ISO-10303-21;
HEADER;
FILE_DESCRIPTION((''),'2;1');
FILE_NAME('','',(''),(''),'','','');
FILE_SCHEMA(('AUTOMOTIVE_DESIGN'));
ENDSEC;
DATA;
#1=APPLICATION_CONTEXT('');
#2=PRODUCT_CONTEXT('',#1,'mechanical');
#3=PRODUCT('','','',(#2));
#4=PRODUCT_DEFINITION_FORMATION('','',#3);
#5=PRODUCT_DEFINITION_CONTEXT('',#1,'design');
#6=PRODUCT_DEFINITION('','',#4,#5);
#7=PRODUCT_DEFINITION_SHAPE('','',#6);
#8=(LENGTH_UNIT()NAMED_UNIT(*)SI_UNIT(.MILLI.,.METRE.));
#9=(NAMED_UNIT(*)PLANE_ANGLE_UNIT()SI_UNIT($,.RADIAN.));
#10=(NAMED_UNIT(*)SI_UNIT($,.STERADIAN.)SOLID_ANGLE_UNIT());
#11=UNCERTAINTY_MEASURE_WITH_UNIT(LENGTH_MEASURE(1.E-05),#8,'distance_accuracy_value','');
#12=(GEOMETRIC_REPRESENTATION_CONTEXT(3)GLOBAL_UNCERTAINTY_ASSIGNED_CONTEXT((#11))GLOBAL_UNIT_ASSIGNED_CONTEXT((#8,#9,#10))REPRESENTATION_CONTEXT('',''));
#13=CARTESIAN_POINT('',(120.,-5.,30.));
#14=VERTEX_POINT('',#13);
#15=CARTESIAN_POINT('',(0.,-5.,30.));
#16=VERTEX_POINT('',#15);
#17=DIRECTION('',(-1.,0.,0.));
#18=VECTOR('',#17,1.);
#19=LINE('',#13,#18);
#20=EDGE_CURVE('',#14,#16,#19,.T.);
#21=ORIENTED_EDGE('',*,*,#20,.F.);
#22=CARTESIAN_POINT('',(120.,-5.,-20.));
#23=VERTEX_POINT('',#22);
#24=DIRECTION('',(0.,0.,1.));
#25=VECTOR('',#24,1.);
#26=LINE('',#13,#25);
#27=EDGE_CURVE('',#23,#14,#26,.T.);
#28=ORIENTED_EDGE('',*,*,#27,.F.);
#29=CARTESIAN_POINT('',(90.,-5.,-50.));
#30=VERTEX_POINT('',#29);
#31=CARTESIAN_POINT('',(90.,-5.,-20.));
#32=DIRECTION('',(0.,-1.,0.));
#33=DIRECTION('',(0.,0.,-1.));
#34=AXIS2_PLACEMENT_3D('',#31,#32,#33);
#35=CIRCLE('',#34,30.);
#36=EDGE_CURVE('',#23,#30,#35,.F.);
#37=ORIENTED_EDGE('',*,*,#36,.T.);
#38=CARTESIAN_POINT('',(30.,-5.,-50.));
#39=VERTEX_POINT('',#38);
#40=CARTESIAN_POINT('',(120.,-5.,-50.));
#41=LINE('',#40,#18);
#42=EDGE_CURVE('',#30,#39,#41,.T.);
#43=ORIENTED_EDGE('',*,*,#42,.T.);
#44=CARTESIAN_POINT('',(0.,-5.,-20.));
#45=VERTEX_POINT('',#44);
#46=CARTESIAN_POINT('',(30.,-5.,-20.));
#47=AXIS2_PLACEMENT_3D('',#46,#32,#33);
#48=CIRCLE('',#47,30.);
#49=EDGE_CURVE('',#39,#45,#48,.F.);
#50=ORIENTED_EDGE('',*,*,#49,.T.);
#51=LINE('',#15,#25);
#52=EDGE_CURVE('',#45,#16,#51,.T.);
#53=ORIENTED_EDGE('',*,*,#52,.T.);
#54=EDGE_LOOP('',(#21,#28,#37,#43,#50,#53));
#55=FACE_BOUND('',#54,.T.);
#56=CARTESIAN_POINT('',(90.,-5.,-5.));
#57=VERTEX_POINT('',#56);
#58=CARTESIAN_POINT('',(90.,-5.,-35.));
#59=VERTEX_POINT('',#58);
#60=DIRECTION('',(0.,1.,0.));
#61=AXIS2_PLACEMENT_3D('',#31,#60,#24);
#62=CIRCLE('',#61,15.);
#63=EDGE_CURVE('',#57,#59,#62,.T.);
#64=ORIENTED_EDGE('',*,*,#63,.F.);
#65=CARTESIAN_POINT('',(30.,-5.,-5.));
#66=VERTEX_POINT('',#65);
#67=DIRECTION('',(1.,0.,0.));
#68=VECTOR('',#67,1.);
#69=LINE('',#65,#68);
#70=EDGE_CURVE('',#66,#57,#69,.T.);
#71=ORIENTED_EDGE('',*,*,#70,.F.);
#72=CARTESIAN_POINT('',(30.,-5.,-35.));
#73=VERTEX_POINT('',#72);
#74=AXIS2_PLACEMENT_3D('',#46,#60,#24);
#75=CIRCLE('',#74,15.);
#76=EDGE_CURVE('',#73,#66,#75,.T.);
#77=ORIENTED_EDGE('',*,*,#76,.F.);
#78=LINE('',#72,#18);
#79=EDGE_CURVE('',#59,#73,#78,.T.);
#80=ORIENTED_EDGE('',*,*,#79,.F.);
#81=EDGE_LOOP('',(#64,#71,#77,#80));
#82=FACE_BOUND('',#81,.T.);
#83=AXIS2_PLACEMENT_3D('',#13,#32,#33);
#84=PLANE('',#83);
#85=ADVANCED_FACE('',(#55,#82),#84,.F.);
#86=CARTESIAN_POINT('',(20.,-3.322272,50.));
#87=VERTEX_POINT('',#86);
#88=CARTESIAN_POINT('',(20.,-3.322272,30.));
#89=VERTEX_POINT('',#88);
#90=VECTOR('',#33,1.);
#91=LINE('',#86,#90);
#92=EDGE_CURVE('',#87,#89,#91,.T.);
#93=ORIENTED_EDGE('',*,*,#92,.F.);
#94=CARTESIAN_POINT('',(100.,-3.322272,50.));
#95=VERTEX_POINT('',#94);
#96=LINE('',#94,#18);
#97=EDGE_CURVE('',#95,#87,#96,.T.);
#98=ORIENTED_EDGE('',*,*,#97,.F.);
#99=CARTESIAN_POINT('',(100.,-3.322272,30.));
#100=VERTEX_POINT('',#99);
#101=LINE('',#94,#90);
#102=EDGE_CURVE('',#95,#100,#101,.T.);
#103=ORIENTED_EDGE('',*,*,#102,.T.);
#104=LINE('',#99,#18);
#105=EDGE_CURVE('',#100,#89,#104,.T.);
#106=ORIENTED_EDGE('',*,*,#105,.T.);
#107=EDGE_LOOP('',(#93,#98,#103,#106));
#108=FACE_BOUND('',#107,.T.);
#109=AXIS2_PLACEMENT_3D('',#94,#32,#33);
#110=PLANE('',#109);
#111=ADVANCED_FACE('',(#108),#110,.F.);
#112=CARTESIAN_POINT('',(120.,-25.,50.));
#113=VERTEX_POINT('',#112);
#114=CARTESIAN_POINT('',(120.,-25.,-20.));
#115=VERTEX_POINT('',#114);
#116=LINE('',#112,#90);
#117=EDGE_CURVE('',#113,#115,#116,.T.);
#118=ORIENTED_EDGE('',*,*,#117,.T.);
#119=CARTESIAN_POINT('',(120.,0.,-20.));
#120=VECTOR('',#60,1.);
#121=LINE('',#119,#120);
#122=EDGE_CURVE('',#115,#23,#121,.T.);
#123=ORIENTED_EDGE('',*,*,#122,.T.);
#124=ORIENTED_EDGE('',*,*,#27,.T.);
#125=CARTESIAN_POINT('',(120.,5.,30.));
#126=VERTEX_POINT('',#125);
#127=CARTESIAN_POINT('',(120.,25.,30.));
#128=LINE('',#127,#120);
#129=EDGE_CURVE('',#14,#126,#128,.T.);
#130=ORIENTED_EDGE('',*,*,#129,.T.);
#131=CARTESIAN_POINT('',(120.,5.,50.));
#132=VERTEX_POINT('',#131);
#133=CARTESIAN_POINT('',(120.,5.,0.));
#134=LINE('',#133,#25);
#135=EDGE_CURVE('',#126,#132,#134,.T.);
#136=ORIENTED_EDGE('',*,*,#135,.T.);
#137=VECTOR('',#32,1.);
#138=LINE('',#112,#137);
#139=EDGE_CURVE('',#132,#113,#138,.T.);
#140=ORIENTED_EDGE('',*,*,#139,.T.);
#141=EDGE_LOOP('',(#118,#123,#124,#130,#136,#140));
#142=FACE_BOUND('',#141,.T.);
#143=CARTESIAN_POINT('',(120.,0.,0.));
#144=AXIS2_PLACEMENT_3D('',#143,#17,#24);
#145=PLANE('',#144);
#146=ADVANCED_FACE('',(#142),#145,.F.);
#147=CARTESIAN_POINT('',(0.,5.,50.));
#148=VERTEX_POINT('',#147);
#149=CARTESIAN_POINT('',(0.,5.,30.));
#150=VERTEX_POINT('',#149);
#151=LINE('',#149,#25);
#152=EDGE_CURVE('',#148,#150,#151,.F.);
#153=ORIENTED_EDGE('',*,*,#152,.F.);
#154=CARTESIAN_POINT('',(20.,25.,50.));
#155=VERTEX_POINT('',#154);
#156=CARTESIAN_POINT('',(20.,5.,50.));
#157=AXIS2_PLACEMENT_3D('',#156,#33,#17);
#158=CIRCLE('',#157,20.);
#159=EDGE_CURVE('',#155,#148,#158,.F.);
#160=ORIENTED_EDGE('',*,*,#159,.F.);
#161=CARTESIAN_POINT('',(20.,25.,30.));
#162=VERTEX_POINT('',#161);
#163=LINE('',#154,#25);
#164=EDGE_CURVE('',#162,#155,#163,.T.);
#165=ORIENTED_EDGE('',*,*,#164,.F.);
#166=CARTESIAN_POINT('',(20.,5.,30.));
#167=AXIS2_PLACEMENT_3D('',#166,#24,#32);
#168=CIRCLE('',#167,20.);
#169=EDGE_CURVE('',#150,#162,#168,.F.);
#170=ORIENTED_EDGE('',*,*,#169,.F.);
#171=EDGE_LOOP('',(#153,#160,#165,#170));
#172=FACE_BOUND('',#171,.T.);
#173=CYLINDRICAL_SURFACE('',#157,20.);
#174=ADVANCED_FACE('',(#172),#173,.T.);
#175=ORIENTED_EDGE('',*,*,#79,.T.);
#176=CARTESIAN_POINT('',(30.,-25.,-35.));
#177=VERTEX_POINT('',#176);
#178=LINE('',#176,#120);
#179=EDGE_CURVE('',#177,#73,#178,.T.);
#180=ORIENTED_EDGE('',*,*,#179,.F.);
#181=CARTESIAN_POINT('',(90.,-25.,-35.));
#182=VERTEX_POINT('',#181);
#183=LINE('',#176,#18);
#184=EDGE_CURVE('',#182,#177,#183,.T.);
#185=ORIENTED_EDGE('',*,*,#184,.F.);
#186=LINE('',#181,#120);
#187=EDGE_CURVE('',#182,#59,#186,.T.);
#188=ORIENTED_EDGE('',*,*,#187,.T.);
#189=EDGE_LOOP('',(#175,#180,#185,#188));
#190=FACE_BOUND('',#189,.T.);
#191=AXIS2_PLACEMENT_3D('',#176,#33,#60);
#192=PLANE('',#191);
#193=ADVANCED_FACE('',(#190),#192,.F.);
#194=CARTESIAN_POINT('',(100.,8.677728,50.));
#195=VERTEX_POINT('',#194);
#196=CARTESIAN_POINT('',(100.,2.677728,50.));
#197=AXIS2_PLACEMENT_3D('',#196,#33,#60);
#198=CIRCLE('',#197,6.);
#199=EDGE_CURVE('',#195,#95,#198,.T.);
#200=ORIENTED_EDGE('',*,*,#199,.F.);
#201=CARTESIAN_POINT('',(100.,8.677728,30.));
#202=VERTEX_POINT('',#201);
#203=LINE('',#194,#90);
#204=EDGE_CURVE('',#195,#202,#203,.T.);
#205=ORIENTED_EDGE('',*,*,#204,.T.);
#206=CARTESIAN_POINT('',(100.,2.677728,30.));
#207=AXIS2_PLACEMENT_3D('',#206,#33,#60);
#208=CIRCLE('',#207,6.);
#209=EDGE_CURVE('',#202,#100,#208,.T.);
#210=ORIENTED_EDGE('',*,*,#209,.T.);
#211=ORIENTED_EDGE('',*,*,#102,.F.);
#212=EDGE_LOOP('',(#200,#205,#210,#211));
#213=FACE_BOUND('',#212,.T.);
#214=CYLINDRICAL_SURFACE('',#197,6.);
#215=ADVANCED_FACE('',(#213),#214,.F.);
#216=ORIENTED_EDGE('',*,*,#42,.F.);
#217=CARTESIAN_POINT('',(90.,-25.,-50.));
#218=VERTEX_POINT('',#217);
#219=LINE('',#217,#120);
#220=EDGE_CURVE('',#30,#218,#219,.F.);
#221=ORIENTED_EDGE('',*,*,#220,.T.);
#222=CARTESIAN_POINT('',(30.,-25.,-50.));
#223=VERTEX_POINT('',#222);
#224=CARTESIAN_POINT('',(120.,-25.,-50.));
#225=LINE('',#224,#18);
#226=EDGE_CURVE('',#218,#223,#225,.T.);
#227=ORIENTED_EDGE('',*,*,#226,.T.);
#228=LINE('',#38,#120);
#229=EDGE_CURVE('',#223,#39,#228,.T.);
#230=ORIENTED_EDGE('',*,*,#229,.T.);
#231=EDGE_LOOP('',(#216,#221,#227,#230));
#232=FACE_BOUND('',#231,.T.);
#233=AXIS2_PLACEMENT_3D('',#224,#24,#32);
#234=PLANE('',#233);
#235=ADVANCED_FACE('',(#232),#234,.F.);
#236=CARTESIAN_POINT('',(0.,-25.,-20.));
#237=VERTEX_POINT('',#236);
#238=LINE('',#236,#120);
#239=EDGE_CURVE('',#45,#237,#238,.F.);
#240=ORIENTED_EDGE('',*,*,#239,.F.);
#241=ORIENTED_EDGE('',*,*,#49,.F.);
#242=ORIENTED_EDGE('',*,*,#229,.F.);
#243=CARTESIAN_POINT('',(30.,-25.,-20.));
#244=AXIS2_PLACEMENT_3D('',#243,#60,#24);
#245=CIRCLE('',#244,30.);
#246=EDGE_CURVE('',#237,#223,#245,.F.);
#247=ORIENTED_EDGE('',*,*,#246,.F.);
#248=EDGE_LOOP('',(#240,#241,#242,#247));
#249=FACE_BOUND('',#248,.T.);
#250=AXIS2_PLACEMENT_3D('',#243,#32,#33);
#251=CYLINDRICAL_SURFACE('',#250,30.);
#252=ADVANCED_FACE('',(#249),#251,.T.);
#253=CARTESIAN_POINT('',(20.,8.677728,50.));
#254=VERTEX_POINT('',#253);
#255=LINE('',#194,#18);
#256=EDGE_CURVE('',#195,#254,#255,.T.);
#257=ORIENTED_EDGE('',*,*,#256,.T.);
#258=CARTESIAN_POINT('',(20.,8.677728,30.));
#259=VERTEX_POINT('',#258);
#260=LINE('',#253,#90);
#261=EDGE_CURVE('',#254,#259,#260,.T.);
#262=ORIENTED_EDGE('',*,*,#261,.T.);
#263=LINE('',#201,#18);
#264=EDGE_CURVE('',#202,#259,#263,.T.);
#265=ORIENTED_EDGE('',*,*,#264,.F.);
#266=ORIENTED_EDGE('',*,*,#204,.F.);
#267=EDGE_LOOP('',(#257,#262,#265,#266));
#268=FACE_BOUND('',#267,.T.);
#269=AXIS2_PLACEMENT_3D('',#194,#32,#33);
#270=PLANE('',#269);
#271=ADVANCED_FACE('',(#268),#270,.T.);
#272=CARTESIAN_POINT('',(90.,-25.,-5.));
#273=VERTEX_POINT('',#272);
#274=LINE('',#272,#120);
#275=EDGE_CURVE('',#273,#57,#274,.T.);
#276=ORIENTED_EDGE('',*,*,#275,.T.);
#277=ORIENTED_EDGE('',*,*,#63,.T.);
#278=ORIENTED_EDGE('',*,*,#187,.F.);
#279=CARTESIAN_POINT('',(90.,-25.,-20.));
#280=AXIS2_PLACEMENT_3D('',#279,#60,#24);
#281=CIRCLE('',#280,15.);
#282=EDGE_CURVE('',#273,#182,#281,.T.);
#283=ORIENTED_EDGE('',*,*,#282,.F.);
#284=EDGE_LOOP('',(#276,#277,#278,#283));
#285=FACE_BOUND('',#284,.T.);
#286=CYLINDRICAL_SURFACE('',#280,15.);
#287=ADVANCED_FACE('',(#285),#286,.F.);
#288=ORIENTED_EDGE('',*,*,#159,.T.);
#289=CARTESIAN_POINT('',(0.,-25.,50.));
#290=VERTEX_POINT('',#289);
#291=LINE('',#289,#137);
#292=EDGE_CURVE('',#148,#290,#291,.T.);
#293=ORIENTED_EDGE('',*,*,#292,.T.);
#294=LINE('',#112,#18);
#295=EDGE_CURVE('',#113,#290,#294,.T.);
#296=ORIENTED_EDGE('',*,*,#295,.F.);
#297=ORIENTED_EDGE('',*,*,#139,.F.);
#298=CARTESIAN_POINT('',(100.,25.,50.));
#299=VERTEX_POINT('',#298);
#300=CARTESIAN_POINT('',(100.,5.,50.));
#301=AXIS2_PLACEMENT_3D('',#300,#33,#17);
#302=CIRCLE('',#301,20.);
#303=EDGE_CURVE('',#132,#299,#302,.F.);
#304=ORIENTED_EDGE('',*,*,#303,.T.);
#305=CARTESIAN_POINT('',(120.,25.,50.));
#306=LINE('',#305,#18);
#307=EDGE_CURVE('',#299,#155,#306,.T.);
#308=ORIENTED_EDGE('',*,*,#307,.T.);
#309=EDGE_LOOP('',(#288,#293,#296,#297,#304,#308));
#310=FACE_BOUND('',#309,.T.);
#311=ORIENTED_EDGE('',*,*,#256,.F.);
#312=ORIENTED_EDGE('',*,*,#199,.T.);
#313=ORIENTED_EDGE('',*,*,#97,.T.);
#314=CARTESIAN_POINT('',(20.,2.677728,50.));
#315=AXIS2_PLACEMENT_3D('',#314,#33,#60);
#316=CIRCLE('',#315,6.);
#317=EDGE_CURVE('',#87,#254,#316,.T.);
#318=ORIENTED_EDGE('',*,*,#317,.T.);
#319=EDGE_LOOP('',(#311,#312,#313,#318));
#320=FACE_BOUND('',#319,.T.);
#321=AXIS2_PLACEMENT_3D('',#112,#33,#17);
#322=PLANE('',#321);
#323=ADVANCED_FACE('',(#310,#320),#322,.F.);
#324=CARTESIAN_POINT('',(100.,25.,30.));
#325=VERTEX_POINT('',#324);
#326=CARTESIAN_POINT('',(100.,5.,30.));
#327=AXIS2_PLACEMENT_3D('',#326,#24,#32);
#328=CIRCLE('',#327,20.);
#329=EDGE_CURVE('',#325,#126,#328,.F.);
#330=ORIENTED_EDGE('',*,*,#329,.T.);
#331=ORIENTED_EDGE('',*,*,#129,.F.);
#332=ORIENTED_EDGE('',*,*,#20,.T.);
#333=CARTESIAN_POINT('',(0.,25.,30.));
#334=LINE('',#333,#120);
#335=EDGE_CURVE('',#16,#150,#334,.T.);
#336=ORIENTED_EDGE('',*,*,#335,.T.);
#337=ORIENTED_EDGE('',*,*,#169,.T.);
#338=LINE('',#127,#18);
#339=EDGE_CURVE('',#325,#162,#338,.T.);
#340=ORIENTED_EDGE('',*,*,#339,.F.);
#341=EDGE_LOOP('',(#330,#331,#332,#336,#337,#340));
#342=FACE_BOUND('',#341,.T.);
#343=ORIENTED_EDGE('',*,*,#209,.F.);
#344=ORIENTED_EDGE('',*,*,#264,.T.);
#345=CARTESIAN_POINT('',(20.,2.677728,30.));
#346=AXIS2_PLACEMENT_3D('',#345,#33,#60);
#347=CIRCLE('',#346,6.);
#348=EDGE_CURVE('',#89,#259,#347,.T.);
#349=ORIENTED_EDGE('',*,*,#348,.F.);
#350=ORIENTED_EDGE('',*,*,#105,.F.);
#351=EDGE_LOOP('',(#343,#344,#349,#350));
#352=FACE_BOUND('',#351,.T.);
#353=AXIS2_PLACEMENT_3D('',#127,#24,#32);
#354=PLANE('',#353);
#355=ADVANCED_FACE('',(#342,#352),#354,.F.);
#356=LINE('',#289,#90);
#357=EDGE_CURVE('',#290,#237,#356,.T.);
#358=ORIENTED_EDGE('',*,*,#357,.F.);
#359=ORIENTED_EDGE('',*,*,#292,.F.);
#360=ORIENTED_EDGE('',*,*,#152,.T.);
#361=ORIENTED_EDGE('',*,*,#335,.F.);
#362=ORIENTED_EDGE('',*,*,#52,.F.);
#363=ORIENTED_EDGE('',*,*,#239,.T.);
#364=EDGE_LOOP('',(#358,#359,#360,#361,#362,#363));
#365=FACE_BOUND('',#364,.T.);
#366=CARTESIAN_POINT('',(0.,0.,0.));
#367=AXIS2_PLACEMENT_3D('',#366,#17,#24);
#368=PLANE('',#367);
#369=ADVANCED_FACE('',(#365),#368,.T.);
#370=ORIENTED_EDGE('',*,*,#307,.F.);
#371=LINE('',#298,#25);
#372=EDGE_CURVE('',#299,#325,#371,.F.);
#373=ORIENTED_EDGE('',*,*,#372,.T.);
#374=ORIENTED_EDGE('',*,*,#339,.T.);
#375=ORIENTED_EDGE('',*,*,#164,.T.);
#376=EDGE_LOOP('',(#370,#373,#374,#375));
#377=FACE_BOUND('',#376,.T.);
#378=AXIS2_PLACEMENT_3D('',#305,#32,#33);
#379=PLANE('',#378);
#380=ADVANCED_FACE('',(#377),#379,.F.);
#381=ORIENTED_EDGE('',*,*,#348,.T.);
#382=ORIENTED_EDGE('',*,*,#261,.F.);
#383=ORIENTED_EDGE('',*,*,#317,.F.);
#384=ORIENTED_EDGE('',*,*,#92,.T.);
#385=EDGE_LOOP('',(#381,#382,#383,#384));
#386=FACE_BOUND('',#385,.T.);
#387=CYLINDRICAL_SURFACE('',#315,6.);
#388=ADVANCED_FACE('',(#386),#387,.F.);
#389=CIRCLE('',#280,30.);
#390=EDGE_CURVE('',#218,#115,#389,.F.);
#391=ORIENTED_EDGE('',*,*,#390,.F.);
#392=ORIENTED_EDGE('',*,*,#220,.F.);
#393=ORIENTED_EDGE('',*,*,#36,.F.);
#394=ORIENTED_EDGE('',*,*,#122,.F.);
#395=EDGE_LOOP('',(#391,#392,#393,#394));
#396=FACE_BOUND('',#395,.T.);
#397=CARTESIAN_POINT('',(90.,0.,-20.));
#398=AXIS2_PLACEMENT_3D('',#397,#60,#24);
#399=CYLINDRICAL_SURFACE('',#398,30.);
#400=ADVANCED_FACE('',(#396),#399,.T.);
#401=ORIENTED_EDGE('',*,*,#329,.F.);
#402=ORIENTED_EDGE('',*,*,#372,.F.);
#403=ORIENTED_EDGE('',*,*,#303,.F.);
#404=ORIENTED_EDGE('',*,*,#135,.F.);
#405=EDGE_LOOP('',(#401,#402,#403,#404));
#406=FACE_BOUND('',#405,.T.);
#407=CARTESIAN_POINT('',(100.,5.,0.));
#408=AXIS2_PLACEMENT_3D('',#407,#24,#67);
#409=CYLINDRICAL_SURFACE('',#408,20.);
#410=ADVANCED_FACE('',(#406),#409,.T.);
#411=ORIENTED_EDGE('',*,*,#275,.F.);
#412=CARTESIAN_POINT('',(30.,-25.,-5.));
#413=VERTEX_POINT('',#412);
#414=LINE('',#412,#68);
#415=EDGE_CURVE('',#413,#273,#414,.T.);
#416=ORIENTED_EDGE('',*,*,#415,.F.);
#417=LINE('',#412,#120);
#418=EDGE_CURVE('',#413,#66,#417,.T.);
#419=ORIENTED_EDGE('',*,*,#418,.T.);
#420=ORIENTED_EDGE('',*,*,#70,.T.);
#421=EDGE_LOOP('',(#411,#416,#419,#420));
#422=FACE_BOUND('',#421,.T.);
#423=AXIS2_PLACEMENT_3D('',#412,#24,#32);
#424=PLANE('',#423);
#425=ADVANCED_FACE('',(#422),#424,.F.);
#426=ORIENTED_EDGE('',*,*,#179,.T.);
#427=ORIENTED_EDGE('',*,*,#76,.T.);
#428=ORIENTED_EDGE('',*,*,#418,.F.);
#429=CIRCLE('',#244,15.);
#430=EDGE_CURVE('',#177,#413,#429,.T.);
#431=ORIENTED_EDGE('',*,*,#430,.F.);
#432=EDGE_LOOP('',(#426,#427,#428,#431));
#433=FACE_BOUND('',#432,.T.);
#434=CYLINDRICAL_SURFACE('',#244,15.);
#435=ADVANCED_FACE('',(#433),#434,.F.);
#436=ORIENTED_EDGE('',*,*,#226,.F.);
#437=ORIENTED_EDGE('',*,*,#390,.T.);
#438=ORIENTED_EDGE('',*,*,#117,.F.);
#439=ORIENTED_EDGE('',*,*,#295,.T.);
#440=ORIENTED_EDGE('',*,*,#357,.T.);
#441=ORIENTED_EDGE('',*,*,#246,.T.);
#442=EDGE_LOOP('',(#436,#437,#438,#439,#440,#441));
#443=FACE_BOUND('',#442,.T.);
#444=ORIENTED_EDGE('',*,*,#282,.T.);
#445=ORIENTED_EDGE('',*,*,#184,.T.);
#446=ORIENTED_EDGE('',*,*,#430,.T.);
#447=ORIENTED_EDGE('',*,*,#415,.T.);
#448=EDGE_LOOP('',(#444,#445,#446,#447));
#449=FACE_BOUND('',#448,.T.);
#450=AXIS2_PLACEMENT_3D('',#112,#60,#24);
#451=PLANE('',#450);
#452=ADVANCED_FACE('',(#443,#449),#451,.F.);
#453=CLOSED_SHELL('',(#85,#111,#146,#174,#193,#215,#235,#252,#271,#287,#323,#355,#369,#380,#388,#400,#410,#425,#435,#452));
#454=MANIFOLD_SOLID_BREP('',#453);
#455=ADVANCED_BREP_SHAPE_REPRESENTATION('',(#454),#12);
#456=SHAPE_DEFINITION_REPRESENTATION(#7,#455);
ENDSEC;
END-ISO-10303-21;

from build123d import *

# Parameters (mm, degrees)
BOSS_EXTRUDE1_DEPTH = 120
FILLET1_R           = 20
FILLET2_R           = 30
CUT_EXTRUDE1_DEPTH  = 21
CUT_EXTRUDE3_DEPTH  = 21


with BuildPart() as part:
    # Sketch1 → Boss-Extrude1 (new body)
    with BuildSketch(Plane(origin=(0, 0, 0), x_dir=(0, 0, -1), z_dir=(1, 0, 0))):
        Polygon((-30, 25), (-30, -5), (50, -5), (50, -25), (-50, -25), (-50, 25), align=None)
    extrude(amount=BOSS_EXTRUDE1_DEPTH)

    # Fillet1
    fillet1_edges = [part.edges().sort_by_distance(p)[0] for p in [
        (120, 25, 40),
        (0, 25, 40),
    ]]
    fillet(fillet1_edges, radius=FILLET1_R)

    # Fillet2
    fillet2_edges = [part.edges().sort_by_distance(p)[0] for p in [
        (120, -15, -50),
        (0, -15, -50),
    ]]
    fillet(fillet2_edges, radius=FILLET2_R)

    # Sketch2 → Cut-Extrude1 (cut, through all)
    with BuildSketch(Plane(origin=(0, -5, 0), x_dir=(1, 0, 0), z_dir=(0, 1, 0))):
        with BuildLine():
            Line((30, 35), (90, 35))
            ThreePointArc((90, 35), (105, 20), (90, 5))
            Line((90, 5), (30, 5))
            ThreePointArc((30, 5), (15, 20), (30, 35))
        make_face()
    extrude(amount=-CUT_EXTRUDE1_DEPTH, mode=Mode.SUBTRACT)

    # Sketch3 → Cut-Extrude3 (cut, through all)
    with BuildSketch(Plane(origin=(0, 0, 30), x_dir=(-1, 0, 0), z_dir=(0, 0, -1))):
        with BuildLine():
            Line((-100, 8.677727688), (-20, 8.677727688))
            ThreePointArc((-20, 8.677727688), (-14, 2.677727688), (-20, -3.322272312))
            Line((-20, -3.322272312), (-100, -3.322272312))
            ThreePointArc((-100, -3.322272312), (-106, 2.677727688), (-100, 8.677727688))
        make_face()
    extrude(amount=-CUT_EXTRUDE3_DEPTH, mode=Mode.SUBTRACT)


solid = part.part
